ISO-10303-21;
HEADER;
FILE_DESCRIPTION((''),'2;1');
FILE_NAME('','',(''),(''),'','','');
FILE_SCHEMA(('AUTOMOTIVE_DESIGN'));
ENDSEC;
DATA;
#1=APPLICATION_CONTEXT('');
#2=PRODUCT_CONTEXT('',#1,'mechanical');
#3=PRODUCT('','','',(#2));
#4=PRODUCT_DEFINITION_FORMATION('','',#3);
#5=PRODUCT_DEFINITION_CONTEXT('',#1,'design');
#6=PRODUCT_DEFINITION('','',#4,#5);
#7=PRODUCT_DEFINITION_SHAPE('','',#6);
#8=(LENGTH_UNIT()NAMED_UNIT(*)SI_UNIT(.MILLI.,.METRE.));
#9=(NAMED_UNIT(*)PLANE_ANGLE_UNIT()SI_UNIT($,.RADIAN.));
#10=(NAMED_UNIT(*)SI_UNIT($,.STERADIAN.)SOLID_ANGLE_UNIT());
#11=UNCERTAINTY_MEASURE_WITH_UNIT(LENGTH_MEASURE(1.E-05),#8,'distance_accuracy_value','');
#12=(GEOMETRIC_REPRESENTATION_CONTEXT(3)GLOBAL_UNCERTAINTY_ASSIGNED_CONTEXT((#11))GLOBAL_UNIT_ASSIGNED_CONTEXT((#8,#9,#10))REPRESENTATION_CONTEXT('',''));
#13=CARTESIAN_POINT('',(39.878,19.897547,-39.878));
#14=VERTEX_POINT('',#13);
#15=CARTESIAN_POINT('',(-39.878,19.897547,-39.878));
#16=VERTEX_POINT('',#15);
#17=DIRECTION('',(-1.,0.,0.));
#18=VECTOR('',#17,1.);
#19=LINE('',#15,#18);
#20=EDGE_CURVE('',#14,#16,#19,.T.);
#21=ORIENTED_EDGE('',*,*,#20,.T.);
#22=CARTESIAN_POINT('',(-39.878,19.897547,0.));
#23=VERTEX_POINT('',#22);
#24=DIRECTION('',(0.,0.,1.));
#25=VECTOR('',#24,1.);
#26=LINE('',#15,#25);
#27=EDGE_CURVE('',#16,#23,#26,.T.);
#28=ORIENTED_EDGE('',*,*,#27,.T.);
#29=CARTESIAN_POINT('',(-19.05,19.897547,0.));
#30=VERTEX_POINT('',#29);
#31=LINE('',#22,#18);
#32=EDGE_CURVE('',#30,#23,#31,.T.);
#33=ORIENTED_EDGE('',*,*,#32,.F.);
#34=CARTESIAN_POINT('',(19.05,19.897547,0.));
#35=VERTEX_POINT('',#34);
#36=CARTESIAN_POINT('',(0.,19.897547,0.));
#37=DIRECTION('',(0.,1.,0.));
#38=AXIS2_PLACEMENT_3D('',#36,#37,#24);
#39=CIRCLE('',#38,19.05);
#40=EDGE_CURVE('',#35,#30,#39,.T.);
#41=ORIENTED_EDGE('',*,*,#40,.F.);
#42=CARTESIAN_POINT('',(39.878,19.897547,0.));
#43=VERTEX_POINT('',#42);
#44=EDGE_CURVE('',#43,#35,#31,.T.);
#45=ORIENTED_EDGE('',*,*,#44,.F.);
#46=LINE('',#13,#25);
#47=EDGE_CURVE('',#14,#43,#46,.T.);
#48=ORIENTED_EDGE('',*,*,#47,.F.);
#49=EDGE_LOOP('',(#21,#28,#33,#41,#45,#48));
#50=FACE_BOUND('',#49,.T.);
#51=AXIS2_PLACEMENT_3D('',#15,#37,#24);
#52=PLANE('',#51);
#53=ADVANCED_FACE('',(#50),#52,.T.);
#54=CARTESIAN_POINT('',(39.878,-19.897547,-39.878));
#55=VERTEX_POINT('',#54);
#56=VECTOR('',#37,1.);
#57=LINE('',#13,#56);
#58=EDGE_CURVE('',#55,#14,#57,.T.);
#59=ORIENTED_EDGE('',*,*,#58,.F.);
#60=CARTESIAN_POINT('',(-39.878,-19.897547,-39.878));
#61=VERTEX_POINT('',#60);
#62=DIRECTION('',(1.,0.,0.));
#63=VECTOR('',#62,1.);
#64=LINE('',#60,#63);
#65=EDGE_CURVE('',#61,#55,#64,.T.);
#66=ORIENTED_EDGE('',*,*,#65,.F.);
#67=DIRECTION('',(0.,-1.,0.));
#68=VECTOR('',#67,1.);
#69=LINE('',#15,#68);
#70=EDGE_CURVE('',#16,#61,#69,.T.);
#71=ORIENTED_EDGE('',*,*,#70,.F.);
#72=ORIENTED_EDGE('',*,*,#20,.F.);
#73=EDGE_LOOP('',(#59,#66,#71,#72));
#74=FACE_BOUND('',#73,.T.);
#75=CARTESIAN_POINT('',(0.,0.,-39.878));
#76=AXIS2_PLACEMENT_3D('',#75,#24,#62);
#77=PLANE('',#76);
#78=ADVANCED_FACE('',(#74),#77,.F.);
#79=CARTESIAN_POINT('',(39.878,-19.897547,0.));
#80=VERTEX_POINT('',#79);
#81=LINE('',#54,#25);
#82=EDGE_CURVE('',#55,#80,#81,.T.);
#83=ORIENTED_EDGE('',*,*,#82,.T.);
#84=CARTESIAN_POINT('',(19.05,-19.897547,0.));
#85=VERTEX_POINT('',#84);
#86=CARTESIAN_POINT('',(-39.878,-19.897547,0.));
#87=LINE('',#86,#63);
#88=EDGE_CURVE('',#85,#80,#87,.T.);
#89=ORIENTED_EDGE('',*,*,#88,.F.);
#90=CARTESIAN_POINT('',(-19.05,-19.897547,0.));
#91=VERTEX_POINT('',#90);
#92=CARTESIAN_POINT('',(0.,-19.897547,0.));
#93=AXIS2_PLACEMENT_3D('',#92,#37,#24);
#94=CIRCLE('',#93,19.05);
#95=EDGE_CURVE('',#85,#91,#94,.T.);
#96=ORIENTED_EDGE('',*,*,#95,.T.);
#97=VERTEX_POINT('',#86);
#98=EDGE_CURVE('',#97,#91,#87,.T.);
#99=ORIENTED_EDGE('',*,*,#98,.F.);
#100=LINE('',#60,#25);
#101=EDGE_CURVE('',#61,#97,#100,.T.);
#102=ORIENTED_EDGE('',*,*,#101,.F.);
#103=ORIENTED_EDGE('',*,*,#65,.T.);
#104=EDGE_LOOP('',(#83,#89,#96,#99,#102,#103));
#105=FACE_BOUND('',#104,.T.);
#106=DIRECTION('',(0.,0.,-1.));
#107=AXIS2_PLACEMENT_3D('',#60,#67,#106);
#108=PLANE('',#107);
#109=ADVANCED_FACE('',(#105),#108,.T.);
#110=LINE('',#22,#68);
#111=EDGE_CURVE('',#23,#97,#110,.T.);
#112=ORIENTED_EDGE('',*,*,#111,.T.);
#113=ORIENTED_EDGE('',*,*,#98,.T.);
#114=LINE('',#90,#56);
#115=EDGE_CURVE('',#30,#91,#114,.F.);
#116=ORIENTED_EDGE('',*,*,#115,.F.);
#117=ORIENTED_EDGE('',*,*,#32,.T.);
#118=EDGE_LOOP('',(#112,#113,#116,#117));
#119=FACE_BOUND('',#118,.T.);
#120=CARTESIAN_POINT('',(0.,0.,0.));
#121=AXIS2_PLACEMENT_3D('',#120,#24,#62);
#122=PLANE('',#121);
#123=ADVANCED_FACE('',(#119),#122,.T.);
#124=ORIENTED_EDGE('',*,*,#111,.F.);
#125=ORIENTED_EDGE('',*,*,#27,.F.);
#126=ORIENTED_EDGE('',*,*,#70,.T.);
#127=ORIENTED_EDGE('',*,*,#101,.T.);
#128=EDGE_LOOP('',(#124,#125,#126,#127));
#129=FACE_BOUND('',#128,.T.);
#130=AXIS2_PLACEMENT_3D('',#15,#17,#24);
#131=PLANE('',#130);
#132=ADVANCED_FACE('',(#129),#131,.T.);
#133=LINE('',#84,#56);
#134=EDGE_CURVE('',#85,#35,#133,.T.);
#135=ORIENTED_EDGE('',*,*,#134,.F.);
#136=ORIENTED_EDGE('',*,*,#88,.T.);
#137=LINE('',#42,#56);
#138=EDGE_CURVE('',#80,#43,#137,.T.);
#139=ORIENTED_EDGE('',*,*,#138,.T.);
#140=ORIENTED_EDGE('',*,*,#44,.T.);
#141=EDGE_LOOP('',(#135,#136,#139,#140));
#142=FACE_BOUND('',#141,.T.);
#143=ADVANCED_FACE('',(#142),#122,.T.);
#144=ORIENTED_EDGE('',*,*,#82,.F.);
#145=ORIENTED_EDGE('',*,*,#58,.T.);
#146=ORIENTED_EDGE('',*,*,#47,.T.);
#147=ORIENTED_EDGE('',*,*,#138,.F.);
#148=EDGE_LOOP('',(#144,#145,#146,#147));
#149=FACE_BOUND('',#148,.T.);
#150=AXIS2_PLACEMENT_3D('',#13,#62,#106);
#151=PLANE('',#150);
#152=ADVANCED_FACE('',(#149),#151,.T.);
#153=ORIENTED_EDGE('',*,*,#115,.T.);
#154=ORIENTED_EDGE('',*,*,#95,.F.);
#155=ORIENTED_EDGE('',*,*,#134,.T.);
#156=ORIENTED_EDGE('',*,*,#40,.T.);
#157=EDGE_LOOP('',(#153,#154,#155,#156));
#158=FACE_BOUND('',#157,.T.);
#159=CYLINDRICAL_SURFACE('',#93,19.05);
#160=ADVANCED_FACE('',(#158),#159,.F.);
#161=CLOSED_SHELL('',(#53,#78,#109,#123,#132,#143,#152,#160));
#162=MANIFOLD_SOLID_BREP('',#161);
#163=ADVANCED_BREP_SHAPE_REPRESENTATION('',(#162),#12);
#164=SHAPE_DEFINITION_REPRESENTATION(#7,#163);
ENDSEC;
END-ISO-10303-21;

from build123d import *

# Parameters (mm, degrees)
SKETCH2_W               = 79.756
SKETCH2_H               = 39.795093556
BOSS_EXTRUDE1_DEPTH     = 39.878
SKETCH4_R               = 19.05
CUT_EXTRUDE2_DEPTH      = 1
CUT_EXTRUDE2_DEPTH_BACK = 40.795093555


with BuildPart() as part:
    # Sketch2 → Boss-Extrude1 (new body)
    with BuildSketch(Plane.XY):
        Rectangle(SKETCH2_W, SKETCH2_H)
    extrude(amount=-BOSS_EXTRUDE1_DEPTH)

    # Sketch4 → Cut-Extrude2 (cut, two sides)
    with BuildSketch(Plane(origin=(0, 19.897546778, 0), x_dir=(1, 0, 0), z_dir=(0, 1, 0))) as cut_extrude2_sk:
        Circle(SKETCH4_R)
    extrude(amount=CUT_EXTRUDE2_DEPTH, mode=Mode.SUBTRACT)
    extrude(cut_extrude2_sk.sketch, amount=-CUT_EXTRUDE2_DEPTH_BACK, mode=Mode.SUBTRACT)


solid = part.part
